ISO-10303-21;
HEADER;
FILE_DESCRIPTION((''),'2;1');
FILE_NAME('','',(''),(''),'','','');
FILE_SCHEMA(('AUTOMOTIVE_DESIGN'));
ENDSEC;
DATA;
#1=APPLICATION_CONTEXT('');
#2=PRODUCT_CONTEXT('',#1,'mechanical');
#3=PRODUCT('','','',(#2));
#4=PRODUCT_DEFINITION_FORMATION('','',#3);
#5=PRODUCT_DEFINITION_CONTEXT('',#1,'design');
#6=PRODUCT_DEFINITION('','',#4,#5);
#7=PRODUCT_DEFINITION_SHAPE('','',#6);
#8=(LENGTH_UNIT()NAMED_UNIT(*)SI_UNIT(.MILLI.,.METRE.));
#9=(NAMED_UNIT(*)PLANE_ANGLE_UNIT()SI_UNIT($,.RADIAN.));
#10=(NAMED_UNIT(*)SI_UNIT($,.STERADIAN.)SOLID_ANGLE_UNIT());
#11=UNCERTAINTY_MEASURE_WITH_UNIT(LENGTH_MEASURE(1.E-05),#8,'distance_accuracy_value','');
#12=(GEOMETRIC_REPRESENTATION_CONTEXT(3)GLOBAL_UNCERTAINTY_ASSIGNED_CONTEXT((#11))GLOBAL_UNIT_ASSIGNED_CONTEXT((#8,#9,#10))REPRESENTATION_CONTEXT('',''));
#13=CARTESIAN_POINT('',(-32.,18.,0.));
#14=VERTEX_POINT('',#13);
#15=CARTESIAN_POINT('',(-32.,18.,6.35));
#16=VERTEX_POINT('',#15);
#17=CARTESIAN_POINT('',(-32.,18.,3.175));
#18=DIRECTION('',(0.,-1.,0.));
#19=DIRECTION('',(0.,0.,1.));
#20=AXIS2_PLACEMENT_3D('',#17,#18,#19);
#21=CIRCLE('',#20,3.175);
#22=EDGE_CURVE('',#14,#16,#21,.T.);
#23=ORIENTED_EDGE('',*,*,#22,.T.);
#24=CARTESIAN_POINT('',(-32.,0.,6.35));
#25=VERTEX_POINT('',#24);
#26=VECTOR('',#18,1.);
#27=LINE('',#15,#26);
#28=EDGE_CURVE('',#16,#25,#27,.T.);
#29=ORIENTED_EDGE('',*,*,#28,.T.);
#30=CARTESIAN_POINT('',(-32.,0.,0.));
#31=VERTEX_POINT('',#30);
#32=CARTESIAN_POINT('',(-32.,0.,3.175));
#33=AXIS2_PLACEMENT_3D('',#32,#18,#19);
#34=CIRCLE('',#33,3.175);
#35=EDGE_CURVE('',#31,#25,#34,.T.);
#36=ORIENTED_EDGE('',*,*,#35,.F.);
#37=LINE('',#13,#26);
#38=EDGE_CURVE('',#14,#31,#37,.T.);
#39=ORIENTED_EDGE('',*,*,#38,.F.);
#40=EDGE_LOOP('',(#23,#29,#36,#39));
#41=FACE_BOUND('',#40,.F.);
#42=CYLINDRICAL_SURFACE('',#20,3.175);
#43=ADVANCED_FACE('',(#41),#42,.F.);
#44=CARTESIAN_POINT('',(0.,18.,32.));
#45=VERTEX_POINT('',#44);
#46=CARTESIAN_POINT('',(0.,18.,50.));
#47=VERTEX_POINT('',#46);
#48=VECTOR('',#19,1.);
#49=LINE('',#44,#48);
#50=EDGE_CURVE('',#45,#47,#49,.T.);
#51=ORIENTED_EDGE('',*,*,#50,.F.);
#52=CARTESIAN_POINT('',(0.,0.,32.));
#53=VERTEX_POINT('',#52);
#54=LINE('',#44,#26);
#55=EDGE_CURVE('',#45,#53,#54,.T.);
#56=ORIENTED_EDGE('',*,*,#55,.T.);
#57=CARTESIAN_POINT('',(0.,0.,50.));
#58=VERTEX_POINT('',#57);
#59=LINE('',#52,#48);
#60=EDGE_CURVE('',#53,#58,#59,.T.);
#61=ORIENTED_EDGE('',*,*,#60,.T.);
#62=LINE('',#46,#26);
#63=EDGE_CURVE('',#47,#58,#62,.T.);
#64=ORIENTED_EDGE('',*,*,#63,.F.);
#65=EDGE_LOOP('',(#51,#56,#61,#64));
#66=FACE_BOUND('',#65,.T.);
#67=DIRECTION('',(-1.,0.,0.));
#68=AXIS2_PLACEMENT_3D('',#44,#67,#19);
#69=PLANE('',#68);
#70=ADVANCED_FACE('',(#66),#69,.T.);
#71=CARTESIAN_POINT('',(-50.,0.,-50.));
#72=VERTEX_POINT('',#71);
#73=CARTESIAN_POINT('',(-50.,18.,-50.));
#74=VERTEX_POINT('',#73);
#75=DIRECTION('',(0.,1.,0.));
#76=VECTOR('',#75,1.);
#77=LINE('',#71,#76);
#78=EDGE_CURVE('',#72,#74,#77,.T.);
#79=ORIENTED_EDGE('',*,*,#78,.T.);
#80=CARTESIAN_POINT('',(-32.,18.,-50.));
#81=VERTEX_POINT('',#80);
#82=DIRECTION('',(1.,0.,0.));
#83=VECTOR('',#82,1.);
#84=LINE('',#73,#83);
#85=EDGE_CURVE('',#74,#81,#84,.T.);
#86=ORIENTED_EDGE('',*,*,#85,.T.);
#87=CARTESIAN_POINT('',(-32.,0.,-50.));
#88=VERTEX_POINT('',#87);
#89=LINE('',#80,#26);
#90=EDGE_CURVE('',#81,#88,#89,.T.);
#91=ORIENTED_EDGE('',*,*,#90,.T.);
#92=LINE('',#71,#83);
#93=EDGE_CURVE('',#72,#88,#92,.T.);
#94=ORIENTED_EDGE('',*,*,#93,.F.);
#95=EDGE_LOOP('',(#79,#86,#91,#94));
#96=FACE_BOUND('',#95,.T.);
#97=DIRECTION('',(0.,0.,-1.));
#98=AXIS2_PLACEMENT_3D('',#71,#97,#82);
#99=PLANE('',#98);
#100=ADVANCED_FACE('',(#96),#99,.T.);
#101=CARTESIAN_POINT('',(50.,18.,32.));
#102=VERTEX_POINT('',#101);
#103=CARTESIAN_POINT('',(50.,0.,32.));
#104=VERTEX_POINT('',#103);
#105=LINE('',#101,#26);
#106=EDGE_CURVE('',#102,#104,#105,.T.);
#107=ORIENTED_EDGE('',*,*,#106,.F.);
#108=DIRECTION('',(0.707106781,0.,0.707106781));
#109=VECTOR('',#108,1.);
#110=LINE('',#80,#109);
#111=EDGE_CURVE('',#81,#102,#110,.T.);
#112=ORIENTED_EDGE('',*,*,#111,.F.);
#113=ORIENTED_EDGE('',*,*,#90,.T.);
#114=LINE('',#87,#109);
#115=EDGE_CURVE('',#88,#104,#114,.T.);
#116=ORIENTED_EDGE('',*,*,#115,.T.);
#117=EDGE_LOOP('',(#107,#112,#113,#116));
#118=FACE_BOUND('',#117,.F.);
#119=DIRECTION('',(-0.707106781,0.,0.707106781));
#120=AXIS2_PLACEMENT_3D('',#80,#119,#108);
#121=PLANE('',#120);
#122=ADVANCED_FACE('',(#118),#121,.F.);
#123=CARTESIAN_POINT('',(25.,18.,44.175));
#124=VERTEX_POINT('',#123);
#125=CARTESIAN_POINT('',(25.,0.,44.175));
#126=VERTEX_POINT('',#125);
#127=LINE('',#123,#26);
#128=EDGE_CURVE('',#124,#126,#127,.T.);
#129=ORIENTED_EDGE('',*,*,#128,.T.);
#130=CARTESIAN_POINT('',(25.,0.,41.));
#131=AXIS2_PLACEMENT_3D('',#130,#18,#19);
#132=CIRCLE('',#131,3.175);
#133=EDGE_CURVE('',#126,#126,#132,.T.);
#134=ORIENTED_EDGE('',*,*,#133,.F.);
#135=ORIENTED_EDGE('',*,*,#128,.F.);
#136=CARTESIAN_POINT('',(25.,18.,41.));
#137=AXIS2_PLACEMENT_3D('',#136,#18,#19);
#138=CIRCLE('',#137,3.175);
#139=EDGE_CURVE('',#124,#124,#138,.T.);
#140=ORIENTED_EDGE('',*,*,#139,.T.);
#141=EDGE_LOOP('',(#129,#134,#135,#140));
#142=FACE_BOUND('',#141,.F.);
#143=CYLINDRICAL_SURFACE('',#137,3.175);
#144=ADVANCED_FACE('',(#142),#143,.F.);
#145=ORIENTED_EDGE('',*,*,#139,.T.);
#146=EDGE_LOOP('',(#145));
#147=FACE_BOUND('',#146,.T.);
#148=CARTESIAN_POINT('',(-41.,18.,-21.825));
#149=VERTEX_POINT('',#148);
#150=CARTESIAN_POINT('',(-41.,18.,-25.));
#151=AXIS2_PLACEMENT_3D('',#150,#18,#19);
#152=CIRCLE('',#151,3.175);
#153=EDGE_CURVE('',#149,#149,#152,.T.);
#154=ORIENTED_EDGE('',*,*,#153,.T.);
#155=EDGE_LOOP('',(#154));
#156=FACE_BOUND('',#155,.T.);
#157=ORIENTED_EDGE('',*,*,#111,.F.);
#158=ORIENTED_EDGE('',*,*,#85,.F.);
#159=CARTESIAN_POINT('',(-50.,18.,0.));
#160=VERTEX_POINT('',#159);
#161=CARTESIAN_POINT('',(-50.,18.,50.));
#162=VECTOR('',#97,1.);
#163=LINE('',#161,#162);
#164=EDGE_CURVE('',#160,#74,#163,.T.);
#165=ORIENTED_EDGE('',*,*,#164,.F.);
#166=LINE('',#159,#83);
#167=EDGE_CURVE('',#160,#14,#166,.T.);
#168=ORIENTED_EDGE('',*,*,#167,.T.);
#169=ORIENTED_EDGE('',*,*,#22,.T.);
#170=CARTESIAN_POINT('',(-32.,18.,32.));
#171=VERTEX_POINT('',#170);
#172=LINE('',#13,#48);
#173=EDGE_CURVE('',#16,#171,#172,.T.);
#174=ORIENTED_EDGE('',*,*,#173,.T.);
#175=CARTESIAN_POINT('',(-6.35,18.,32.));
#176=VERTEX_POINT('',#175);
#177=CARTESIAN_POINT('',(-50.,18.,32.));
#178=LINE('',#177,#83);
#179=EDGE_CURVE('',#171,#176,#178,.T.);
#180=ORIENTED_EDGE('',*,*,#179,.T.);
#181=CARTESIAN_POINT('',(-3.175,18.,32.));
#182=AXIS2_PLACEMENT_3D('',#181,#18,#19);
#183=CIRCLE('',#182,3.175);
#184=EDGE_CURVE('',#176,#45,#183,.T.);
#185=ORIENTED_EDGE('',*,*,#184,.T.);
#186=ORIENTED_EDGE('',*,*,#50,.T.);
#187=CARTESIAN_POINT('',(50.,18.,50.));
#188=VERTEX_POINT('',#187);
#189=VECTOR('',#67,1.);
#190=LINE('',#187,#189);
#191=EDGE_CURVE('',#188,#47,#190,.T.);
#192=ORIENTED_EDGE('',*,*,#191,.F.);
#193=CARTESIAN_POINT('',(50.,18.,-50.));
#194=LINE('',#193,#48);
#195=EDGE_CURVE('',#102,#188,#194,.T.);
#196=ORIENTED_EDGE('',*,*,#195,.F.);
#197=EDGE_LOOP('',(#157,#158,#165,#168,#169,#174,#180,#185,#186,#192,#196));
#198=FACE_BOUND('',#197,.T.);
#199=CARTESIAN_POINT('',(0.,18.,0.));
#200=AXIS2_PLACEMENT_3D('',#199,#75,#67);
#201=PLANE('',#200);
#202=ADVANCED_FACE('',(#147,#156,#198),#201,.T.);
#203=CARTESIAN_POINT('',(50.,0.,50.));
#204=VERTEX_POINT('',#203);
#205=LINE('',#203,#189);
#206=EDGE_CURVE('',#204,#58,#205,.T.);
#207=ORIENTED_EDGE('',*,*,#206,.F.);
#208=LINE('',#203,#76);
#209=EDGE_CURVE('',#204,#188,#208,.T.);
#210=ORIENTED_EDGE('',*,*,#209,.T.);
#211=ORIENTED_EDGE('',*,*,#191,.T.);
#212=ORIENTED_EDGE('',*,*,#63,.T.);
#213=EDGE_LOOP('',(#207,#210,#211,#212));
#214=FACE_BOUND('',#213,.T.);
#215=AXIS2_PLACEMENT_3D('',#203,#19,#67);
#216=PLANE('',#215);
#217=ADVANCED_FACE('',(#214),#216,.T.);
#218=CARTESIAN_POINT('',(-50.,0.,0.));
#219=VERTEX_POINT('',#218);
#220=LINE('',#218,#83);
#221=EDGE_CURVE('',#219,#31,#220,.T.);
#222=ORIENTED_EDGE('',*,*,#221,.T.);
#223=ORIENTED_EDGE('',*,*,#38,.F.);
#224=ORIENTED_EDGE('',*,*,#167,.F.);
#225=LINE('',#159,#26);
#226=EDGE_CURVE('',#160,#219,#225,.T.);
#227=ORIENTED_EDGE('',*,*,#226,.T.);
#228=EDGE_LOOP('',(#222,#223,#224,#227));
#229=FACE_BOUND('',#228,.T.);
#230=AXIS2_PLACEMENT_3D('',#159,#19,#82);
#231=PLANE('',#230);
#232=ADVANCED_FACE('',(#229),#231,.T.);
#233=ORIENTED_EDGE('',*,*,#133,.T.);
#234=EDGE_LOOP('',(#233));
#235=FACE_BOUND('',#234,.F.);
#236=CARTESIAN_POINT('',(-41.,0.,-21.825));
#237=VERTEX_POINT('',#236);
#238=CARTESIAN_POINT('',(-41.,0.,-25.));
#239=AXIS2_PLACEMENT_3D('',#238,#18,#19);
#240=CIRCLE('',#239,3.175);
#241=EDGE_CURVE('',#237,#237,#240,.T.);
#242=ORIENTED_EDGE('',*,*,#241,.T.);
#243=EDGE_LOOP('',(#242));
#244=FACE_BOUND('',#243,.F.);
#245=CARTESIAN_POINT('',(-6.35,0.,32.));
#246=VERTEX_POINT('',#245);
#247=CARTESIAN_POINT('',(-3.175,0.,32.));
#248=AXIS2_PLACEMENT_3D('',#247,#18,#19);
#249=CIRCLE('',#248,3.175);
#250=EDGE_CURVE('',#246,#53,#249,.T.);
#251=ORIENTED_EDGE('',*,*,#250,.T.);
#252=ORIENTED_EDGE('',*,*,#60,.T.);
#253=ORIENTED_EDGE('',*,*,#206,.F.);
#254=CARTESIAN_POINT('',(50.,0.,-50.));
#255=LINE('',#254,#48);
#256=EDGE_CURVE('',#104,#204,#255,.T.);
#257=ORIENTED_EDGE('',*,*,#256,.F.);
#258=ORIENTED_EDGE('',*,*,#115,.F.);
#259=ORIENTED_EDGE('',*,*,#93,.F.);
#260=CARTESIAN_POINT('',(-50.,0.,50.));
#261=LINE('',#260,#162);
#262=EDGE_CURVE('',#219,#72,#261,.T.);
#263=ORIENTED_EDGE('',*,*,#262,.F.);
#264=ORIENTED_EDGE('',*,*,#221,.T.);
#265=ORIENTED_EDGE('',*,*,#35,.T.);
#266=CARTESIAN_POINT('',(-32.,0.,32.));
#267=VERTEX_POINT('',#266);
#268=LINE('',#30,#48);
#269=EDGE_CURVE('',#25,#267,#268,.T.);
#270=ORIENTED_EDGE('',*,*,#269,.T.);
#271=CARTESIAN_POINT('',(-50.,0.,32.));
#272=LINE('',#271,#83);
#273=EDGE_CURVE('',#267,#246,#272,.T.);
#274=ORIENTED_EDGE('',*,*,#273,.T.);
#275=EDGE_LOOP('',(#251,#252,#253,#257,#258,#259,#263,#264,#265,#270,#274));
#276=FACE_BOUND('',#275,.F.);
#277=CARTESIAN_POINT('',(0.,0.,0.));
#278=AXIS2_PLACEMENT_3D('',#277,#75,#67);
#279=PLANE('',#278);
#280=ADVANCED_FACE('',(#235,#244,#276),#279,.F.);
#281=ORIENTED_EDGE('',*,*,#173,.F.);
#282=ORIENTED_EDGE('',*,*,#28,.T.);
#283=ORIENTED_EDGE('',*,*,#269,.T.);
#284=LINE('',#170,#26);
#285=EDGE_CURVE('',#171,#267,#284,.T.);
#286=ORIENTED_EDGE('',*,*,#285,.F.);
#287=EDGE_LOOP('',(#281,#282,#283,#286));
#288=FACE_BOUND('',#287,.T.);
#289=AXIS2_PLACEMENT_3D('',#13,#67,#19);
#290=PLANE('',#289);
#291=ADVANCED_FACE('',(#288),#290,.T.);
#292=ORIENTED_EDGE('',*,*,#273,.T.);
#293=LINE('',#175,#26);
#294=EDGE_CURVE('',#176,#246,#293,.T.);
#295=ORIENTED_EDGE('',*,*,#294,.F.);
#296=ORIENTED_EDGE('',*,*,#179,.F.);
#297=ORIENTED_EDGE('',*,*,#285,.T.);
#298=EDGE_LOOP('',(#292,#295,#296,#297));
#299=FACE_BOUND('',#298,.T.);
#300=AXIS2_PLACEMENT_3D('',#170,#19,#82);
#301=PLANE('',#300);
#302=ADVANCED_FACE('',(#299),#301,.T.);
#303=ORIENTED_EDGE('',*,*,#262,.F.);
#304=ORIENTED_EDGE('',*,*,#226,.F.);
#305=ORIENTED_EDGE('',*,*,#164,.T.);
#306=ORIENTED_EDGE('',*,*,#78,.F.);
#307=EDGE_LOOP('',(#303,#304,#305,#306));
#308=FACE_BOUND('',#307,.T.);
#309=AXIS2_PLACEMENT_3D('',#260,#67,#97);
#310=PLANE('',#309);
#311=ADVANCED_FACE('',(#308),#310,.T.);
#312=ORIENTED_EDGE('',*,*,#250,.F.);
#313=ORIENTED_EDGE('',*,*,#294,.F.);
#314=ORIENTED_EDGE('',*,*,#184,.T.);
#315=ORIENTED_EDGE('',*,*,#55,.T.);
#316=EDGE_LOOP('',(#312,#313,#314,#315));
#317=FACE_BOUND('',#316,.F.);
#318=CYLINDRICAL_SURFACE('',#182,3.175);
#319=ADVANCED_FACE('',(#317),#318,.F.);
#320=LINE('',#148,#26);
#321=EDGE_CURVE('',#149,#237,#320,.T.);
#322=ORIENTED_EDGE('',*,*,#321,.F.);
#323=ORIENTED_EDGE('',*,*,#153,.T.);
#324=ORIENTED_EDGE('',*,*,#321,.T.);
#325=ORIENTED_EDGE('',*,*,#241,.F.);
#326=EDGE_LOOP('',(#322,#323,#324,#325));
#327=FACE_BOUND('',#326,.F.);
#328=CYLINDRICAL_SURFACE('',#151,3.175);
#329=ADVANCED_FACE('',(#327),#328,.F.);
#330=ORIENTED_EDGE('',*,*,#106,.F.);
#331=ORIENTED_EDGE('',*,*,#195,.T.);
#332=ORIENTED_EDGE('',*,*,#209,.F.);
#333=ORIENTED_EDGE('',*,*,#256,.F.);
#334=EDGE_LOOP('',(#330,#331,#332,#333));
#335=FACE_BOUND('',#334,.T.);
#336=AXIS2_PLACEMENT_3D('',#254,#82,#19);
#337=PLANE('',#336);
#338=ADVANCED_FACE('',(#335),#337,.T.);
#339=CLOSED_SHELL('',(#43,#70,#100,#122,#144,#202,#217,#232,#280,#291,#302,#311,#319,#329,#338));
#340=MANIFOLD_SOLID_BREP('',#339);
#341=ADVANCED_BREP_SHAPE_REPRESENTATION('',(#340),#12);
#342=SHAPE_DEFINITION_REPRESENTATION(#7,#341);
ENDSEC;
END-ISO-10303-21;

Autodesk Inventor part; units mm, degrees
ref_plane "YZ Plane" through (0, 0, 0) normal (1, 0, 0) x (0, 1, 0)
ref_plane "XZ Plane" through (0, 0, 0) normal (0, 1, 0) x (-1, 0, 0)
ref_plane "XY Plane" through (0, 0, 0) normal (0, 0, 1) x (1, 0, 0)
sketch "Sketch1" plane through (0, 0, 0) normal (0, 1, 0) x (-1, 0, 0)
  line L0 (50, -50) -> (-50, -50)
  line L1 (-50, -50) -> (-50, 50)
  line L2 (-50, 50) -> (50, 50)
  line L3 (50, 50) -> (50, -50)
  point P0 (0, 0)
  point P1 (-50, 0)
  point P2 (0, -50)
  dimension "d0" = 100
  dimension "d1" = 100
extrude "Extrusion1" add sketch "Sketch1" along normal blind 18
sketch "Sketch2" plane through (0, 18, 0) normal (0, 1, 0) x (1, 0, 0)
  line L0 (-50, 50) -> (-32, 50) construction
  line L1 (50, 50) -> (-50, 50) construction
  line L2 (50, 50) -> (-50, 50) construction
  line L3 (-50, 50) -> (-50, -50) construction
  line L4 (-50, -50) -> (50, -50) construction
  line L5 (50, -50) -> (50, 50) construction
  line L6 (50, -50) -> (50, -32) construction
  line L7 (-32, 50) -> (50, -32)
  line L8 (50, -32) -> (50, 50)
  line L9 (50, 50) -> (-32, 50)
  point P0 (0, 0)
  point P1 (-41, 50)
  point P2 (0, 50)
  point P3 (-50, 0)
  point P4 (0, -50)
  point P5 (50, -41)
  point P6 (50, 0)
  dimension "d4" = 18
  dimension "d5" = 18
extrude "Extrusion2" cut sketch "Sketch2" against normal blind 18
sketch "Sketch3" plane through (0, 18, 0) normal (0, 1, 0) x (1, 0, 0)
  line L0 (-50, 0) -> (-32, 0)
  line L1 (-32, 0) -> (-32, -50)
  line L2 (-32, -50) -> (-50, -50)
  line L3 (-50, -50) -> (-50, 0)
  line L4 (50, -32) -> (-32, 50) projected
  line L5 (-32, 50) -> (-50, 50) projected
  line L6 (-50, 50) -> (-50, -50) projected
  line L7 (-50, -50) -> (50, -50) projected
  line L8 (50, -50) -> (50, -32) projected
  line L9 (-50, 50) -> (-50, -50) projected
  line L10 (-50, -32) -> (0, -32)
  line L11 (0, -32) -> (0, -50)
  line L12 (0, -50) -> (-50, -50)
  line L13 (-50, -50) -> (-50, -32)
  line L14 (-50, -50) -> (50, -50) projected
  point P0 (0, 0)
  point P1 (-41, -50)
  point P2 (-50, -25)
  point P3 (-50, 0)
  point P4 (-41, 0)
  point P5 (-50, 0)
  point P6 (-25, -50)
  point P7 (0, -50)
  point P8 (-50, -41)
  point P9 (0, -41)
  point P10 (0, -50)
  dimension "d8" = 18
  dimension "d9" = 18
extrude "Extrusion3" cut sketch "Sketch3" against normal blind 18 contours L0 L1 L10 L3 | L10 L1 L2 L3 | L10 L11 L7 L1
sketch "Sketch4" plane through (0, 18, 0) normal (0, 1, 0) x (1, 0, 0)
  line L0 (0, -32) -> (0, -50) projected
  line L1 (0, -50) -> (50, -50) projected
  line L2 (50, -50) -> (50, -32) projected
  line L3 (50, -32) -> (-32, 50) projected
  line L4 (-32, 50) -> (-50, 50) projected
  line L5 (-50, 50) -> (-50, 0) projected
  line L6 (-50, 0) -> (-32, 0) projected
  line L7 (-32, 0) -> (-32, -32) projected
  line L8 (-32, -32) -> (0, -32) projected
  point P0 (0, 0)
  point P1 (-32, -3.175)
  point P2 (-3.175, -32)
  point P3 (-16, -32)
  dimension "d12" = 3.175
  dimension "d13" = 3.175
hole "Hole1" at (-32, 18, 3.175) at (-3.175, 18, 32) direction (0, -1, 0) diameter 6.35 end through all
sketch "Sketch5" plane through (0, 18, 0) normal (0, 1, 0) x (1, 0, 0)
  arc A0 (-32, -6.35) -> (-32, 0) centre (-32, -3.175) ccw projected
  line L0 (-32, -6.35) -> (-32, -32) projected
  line L1 (-32, -32) -> (-6.35, -32) projected
  arc A1 (0, -32) -> (-6.35, -32) centre (-3.175, -32) ccw projected
  line L2 (0, -32) -> (0, -50) projected
  line L3 (0, -50) -> (50, -50) projected
  line L4 (50, -50) -> (50, -32) projected
  line L5 (50, -32) -> (-32, 50) projected
  line L6 (-32, 50) -> (-50, 50) projected
  line L7 (-50, 50) -> (-50, 0) projected
  line L8 (-50, 0) -> (-32, 0) projected
  point P0 (0, 0)
  point P1 (-41, 25)
  point P2 (25, -41)
  point P3 (-50, 25)
  point P4 (-41, 50)
  point P5 (0, -41)
  point P6 (25, -50)
hole "Hole2" at (-41, 18, -25) at (25, 18, 41) direction (0, -1, 0) diameter 6.35 end through all
equation "\"d0\" = legBaseWidth"
equation "\"d1\" = legBaseWidth"
equation "\"d2\" = plyThickness"
equation "\"d4\" = plyThickness"
equation "\"d5\" = d4"
equation "\"d6\" = plyThickness"
equation "\"d8\" = plyThickness"
equation "\"d9\" = d8"
equation "\"d10\" = plyThickness"
equation "\"d12\" = 0.5 * millDiameter"
equation "\"d13\" = 0.5 * millDiameter"
equation "\"d14\" = millDiameter"
equation "\"d21\" = millDiameter"
equation "\"plyThickness\" = 18"
equation "\"legHeight\" = 702"
equation "\"legBaseWidth\" = 100"
equation "\"millDiameter\" = 6.35"
equation "\"legTopTabHeight\" = 18"
equation "\"legTopSlotDepth\" = 49"
properties part number "foot"
